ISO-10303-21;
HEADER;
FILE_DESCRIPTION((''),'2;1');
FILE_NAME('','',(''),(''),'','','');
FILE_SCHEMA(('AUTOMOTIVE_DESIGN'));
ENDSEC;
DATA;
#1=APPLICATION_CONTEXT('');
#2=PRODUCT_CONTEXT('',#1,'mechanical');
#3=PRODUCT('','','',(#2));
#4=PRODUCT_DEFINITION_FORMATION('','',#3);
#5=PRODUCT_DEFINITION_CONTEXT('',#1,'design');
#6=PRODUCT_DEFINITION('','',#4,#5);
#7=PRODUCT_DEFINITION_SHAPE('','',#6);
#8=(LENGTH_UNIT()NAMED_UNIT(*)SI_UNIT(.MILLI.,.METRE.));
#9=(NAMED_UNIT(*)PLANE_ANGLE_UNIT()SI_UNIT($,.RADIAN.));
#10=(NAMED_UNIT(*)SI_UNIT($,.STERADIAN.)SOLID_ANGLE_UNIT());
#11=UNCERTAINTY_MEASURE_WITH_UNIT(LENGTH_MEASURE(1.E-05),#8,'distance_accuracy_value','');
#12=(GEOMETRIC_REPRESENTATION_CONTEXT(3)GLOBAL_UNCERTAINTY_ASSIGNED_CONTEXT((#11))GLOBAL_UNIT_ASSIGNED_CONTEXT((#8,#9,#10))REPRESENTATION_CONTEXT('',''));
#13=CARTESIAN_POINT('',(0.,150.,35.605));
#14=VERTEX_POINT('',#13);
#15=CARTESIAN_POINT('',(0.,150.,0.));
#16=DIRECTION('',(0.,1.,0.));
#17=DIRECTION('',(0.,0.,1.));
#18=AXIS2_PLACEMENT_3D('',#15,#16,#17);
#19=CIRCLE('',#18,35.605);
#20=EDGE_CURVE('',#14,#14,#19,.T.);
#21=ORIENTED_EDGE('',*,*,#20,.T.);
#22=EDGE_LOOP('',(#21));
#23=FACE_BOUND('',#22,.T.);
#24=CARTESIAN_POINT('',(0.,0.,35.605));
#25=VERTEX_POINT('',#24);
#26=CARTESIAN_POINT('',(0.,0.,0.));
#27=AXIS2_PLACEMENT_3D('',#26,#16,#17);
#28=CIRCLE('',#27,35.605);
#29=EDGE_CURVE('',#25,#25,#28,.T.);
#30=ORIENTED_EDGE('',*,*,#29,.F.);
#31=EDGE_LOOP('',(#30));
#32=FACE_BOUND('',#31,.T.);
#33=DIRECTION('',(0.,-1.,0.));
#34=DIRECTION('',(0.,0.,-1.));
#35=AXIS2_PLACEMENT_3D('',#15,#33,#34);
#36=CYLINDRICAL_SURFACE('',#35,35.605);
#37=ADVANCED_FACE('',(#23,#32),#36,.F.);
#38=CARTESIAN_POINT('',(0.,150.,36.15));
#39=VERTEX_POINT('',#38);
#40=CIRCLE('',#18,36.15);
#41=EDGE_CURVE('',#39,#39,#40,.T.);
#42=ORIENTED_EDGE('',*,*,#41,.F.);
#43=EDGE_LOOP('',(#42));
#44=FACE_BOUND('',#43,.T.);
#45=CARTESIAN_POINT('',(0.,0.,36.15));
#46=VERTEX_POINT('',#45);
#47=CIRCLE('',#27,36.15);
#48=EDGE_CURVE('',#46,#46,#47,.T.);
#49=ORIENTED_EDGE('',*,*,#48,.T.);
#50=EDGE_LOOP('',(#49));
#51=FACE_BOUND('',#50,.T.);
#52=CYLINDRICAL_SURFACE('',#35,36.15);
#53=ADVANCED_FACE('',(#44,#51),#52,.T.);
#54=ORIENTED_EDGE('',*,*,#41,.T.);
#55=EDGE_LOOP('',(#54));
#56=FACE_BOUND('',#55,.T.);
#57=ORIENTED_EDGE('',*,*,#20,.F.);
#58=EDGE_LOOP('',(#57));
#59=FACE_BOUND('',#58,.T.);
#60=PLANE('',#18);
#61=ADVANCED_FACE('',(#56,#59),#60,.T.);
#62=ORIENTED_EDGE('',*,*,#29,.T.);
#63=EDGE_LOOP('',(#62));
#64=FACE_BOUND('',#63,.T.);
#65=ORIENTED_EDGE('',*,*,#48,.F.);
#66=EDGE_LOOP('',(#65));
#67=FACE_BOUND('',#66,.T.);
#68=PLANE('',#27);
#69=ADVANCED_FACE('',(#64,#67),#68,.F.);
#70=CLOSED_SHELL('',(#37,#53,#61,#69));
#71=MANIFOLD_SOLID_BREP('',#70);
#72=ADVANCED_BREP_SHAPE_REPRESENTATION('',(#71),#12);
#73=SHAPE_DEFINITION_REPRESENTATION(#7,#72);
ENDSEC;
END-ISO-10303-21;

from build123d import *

# Parameters (mm, degrees)
CROQUIS1_R              = 36.15
CROQUIS1_R_2            = 35.605
SALIENTE_EXTRUIR1_DEPTH = 150


with BuildPart() as part:
    # Croquis1 → Saliente-Extruir1 (new body)
    with BuildSketch(Plane(origin=(0, 0, 0), x_dir=(1, 0, 0), z_dir=(0, 1, 0))):
        Circle(CROQUIS1_R)
        Circle(CROQUIS1_R_2, mode=Mode.SUBTRACT)
    extrude(amount=SALIENTE_EXTRUIR1_DEPTH)


solid = part.part
